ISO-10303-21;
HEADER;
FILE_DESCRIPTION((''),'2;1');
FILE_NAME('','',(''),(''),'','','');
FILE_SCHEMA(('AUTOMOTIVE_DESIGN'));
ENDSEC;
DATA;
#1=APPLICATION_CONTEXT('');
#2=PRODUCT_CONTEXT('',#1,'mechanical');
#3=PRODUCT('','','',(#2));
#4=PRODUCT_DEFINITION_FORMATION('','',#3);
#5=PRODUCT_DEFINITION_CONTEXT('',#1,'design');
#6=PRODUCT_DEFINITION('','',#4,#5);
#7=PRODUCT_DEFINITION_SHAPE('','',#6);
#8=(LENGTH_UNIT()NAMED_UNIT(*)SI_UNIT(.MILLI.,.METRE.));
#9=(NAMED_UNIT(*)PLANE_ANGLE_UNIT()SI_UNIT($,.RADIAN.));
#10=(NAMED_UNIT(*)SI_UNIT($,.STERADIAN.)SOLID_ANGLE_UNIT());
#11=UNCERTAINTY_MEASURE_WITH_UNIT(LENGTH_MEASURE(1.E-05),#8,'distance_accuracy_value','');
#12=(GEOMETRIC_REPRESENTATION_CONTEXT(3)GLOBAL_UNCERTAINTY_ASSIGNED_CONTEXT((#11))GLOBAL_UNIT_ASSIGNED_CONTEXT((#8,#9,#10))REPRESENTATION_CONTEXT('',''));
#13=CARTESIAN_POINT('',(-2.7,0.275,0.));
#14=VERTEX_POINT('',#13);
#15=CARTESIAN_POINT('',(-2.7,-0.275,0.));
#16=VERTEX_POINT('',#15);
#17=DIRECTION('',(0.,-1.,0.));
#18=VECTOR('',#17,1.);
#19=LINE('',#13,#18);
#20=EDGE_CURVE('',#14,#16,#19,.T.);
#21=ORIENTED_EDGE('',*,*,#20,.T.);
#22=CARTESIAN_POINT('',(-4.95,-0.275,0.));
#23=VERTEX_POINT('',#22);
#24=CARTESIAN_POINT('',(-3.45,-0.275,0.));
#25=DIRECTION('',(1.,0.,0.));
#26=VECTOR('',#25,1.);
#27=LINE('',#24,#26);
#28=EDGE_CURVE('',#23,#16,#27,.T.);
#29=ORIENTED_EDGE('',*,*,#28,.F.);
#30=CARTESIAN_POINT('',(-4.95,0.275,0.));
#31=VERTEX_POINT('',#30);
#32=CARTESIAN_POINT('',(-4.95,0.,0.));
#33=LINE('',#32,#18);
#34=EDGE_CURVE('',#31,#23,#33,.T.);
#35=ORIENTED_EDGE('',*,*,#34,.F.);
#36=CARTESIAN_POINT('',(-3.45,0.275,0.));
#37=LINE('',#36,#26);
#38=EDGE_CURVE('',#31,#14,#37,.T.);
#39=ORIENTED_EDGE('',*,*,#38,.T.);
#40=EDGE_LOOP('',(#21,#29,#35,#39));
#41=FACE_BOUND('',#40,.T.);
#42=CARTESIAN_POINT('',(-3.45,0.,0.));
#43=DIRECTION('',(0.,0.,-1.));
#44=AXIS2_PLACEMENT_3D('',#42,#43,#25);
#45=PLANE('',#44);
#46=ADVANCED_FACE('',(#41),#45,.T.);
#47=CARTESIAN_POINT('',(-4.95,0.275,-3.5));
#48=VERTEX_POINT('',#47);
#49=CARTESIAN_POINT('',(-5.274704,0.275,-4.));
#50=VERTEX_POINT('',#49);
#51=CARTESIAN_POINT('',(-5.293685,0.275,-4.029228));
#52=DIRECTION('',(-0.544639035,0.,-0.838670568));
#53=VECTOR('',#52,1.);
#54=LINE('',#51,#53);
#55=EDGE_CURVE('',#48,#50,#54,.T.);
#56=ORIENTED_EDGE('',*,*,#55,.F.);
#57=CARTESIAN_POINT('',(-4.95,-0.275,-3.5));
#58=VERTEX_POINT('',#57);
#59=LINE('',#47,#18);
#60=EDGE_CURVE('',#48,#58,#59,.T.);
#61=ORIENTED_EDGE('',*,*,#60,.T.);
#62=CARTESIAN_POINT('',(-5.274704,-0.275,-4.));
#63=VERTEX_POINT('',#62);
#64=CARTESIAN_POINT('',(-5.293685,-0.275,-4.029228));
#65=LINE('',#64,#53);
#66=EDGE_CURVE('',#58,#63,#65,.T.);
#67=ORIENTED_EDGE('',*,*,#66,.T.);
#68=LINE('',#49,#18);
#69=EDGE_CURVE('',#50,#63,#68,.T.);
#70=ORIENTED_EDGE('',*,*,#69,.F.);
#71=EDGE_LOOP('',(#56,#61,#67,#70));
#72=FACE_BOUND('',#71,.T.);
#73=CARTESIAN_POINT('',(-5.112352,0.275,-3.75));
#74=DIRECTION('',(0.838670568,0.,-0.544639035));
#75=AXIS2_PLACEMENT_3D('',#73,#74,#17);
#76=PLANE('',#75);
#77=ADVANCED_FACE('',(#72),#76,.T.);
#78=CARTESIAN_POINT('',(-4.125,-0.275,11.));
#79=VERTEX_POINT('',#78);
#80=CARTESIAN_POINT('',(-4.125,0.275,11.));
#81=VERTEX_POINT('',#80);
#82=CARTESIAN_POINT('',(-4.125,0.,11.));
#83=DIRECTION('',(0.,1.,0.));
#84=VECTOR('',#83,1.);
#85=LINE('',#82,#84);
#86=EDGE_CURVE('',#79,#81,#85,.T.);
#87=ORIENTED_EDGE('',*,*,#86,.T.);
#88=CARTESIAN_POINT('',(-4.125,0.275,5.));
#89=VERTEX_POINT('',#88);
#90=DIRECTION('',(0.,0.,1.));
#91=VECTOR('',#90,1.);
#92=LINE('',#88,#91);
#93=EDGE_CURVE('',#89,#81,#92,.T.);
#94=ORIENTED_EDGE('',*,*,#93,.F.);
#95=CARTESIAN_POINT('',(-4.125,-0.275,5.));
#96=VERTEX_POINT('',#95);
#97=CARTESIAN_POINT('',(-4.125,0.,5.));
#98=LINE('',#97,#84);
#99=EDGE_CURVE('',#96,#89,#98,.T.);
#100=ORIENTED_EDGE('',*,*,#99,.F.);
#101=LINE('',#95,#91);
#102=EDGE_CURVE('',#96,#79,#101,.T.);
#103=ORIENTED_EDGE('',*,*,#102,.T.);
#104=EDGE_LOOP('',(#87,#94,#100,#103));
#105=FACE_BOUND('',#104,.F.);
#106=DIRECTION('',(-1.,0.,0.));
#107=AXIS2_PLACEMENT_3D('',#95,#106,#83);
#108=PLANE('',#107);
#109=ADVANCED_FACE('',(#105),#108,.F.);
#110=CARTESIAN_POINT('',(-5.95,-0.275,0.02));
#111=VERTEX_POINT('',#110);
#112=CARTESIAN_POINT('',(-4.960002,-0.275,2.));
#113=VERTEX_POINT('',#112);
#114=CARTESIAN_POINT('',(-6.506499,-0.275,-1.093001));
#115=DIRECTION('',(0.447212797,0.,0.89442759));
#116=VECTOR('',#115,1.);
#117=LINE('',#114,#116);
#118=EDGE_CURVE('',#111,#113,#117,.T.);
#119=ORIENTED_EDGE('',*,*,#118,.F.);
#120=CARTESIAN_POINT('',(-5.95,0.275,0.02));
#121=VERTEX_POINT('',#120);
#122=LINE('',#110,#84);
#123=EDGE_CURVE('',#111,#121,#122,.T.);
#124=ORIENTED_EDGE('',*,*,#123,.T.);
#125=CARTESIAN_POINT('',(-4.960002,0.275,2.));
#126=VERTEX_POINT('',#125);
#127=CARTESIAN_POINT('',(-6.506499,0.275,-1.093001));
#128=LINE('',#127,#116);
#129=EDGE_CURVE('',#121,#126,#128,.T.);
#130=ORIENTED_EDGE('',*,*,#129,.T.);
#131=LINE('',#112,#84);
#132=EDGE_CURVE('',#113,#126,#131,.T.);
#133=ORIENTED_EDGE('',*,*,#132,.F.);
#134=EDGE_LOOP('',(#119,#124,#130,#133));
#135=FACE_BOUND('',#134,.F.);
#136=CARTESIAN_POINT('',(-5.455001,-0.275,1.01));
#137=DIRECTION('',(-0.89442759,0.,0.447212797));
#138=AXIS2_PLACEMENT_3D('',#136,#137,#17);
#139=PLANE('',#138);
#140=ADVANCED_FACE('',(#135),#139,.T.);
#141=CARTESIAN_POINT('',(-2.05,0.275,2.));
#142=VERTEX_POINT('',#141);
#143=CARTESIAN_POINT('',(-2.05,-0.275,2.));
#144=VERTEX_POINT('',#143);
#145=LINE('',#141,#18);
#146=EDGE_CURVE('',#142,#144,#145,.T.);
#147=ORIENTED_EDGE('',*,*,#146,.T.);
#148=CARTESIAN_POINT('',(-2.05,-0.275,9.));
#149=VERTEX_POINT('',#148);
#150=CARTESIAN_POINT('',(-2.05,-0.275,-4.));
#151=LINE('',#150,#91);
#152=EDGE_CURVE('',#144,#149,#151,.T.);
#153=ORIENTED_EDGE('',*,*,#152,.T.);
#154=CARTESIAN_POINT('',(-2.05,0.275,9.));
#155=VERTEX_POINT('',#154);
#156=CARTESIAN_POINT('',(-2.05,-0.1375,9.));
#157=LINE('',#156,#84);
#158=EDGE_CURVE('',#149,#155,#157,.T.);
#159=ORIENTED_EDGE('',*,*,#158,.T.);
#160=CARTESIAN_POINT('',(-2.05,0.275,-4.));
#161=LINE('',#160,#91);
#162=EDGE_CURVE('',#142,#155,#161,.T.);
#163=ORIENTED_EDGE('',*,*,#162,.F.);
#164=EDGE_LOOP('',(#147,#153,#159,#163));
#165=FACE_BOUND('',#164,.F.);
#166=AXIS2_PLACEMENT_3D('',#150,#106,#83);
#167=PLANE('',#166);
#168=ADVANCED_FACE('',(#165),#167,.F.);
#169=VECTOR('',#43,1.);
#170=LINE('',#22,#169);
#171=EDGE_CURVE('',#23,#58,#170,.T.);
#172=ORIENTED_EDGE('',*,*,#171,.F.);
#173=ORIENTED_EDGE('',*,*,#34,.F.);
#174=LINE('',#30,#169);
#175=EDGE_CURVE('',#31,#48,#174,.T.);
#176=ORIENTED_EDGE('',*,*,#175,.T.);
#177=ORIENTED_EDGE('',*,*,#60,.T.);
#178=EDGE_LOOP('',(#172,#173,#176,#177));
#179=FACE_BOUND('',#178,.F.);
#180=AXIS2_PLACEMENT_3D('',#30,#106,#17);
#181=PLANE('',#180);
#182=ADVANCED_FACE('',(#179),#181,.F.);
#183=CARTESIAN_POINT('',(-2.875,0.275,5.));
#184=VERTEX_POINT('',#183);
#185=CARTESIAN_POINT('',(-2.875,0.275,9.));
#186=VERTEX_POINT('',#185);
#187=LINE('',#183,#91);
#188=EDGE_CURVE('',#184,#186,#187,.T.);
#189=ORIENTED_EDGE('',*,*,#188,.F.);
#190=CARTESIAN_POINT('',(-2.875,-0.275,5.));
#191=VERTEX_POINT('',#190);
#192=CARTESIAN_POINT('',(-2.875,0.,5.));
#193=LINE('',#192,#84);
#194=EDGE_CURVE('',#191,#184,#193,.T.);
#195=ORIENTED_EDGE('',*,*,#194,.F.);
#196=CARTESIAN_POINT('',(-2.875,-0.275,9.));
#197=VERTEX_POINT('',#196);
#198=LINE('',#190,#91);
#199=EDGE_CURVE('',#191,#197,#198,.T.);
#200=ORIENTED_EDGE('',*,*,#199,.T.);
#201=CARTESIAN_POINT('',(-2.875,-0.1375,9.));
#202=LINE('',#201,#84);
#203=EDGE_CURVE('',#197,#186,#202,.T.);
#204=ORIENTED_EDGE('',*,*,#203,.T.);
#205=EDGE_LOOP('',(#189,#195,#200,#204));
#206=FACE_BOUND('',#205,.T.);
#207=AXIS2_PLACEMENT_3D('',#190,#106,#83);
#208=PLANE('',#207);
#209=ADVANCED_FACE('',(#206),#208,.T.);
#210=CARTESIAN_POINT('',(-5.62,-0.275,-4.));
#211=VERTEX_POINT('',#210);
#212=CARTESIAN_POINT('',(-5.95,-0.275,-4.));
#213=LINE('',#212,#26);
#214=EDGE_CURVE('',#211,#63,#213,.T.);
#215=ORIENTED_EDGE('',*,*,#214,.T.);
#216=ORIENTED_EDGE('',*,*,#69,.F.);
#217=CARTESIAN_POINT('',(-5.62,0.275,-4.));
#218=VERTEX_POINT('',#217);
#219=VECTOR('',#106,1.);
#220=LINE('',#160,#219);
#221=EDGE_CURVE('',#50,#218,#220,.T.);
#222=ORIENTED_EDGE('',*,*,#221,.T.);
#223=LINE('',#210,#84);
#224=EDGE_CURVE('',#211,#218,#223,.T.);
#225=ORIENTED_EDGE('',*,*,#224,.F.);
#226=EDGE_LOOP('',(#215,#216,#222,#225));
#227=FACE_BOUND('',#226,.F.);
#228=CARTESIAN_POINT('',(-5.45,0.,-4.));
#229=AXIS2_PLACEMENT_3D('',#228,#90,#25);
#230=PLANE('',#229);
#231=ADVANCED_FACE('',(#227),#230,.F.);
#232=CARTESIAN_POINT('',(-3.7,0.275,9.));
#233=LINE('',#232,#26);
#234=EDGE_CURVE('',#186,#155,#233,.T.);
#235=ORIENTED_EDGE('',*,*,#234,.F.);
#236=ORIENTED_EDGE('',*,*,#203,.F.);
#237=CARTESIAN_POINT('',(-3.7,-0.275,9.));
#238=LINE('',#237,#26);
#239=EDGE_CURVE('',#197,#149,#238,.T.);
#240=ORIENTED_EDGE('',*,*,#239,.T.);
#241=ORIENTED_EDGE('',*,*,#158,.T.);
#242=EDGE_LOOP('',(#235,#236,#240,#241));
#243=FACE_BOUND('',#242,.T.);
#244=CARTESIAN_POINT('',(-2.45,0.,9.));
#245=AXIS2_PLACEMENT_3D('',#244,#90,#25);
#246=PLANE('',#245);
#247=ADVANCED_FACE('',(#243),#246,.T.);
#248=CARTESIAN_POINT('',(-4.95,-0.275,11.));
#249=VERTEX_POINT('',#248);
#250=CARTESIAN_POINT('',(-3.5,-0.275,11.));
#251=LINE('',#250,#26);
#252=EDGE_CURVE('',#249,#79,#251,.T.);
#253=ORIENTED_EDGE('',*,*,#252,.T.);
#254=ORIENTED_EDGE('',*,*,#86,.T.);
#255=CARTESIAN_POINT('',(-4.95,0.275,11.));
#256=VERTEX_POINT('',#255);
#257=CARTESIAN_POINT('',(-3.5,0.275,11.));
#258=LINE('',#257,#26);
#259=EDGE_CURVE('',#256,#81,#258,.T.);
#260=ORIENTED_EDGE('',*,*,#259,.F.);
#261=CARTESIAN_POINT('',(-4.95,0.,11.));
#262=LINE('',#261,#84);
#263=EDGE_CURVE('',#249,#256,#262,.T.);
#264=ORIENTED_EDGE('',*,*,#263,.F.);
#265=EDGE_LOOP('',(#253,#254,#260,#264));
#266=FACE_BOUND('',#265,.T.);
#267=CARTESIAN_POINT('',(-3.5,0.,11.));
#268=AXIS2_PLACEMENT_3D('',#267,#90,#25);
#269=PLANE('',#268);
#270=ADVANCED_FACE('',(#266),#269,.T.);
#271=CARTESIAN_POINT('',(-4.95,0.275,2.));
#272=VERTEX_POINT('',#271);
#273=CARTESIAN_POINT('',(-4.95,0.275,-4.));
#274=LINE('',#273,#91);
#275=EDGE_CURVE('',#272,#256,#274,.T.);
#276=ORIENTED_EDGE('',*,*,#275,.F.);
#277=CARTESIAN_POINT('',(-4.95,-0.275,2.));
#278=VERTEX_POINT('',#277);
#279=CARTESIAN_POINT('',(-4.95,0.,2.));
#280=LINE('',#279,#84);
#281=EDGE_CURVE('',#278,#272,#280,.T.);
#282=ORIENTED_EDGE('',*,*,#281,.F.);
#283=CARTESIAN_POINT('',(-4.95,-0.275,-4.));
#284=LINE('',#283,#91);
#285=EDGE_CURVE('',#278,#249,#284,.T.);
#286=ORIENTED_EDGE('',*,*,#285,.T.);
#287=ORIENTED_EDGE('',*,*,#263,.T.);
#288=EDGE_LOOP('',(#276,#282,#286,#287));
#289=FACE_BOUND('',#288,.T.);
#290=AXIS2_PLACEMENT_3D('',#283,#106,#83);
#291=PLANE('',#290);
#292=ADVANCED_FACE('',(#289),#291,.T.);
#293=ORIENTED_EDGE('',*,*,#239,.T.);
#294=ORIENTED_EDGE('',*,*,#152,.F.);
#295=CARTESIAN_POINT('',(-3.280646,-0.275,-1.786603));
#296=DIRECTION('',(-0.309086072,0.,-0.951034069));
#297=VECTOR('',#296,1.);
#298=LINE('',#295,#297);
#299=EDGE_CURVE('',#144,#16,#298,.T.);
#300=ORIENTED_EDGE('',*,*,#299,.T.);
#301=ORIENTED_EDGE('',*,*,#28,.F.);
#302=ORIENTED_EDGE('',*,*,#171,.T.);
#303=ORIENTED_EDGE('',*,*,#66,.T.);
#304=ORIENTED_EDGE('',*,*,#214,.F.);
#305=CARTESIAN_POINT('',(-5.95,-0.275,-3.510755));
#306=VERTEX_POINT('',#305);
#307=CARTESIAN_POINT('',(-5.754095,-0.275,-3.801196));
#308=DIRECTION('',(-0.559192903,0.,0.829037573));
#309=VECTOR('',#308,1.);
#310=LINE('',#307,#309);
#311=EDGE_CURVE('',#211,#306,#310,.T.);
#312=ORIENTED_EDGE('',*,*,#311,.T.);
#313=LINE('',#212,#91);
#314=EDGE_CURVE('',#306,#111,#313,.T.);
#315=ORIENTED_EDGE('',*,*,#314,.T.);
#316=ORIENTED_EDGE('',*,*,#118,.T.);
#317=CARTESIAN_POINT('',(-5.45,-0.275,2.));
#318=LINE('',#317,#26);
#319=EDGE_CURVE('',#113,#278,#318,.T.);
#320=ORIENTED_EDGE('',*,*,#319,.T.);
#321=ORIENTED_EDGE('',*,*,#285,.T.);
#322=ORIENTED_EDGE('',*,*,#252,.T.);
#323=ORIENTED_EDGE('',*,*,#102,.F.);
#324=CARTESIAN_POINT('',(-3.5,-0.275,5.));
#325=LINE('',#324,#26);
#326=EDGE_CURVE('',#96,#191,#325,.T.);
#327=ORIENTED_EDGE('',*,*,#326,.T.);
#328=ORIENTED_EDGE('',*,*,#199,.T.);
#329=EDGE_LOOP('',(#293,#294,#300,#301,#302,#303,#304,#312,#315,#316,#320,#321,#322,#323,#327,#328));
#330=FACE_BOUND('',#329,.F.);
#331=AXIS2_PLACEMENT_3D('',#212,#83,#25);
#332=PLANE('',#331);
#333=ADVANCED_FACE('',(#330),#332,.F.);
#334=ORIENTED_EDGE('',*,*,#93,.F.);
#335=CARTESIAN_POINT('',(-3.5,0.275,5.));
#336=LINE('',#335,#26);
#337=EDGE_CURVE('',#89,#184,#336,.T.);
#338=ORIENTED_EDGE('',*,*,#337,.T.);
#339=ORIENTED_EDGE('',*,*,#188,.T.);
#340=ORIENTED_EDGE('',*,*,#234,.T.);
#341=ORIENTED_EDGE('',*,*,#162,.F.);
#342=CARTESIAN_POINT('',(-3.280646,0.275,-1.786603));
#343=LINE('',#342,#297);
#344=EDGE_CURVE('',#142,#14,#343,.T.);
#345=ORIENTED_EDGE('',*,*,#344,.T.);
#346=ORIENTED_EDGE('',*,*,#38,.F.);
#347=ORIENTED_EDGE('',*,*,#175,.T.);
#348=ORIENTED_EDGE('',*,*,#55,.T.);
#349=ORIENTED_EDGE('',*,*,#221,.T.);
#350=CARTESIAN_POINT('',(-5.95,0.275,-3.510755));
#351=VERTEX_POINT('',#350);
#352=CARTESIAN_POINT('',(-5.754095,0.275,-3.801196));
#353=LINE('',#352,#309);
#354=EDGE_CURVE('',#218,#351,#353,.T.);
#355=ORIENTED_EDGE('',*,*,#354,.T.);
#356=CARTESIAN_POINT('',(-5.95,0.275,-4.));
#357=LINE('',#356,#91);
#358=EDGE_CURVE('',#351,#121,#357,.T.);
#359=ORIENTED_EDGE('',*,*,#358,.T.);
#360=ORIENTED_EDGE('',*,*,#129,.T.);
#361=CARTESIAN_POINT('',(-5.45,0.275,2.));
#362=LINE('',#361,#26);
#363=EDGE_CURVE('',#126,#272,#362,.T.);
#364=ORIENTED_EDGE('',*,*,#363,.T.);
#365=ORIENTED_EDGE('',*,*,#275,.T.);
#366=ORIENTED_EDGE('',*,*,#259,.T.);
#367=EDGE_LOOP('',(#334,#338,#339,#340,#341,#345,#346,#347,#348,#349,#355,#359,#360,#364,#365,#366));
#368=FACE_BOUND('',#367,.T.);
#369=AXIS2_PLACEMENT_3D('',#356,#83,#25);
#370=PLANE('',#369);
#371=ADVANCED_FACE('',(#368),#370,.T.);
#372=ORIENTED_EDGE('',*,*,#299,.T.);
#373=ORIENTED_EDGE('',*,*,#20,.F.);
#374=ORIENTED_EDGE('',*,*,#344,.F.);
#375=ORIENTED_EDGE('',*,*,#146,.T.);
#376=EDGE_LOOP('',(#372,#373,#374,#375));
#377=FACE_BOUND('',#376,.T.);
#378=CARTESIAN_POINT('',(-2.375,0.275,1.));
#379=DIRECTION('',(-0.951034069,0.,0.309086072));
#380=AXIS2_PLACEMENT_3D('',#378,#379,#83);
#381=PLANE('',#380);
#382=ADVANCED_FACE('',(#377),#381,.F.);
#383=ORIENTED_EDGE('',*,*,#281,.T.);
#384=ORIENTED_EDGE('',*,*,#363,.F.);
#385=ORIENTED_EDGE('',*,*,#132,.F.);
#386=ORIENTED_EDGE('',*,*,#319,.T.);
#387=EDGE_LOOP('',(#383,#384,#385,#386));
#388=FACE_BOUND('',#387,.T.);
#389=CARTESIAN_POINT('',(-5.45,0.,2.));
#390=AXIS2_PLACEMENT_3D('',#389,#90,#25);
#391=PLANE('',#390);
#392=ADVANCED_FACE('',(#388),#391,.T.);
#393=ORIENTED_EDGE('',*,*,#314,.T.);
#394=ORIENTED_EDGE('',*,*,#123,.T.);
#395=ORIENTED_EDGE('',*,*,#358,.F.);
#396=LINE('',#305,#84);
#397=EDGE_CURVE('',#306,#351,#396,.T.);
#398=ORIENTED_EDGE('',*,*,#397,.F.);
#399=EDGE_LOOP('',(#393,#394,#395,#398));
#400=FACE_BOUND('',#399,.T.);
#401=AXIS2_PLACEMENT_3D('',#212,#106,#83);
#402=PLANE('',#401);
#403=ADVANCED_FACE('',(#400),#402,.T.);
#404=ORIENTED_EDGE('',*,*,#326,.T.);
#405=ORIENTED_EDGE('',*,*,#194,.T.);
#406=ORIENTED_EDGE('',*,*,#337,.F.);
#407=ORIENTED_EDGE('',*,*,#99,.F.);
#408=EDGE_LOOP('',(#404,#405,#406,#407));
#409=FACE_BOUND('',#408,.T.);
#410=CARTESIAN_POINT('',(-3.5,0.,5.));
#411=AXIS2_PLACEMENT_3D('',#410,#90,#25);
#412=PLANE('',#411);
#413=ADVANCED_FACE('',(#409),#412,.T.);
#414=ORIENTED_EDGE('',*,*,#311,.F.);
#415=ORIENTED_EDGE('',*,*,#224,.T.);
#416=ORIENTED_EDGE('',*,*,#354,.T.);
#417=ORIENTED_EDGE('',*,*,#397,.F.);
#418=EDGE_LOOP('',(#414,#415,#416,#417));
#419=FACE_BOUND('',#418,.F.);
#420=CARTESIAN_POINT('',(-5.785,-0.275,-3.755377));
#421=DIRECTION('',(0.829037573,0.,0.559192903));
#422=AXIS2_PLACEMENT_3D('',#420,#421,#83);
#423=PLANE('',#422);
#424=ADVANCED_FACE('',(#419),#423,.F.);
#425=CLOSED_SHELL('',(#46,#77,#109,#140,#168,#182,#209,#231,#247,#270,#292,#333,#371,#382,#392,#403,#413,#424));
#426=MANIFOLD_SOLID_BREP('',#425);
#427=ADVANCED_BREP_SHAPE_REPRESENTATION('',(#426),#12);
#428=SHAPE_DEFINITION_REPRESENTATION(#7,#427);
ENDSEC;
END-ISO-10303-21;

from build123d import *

# Parameters (mm, degrees)
BOX019_W         = 2.9
BOX019_H         = 0.55
BOX019_DEPTH     = 15
BOX020_W         = 1.25
BOX020_H         = 0.55
BOX020_DEPTH     = 6
BOX021_W         = 1.1
BOX021_H         = 0.6
BOX021_DEPTH     = 2
BOX022_W         = 1
BOX022_H         = 0.55
BOX022_DEPTH     = 6
BOX023_W         = 3
BOX023_H         = 0.55
BOX023_DEPTH     = 4
CHAMFER002_SIZE2 = 0.65
CHAMFER002_SIZE  = 2
CHAMFER003_ANGLE = 33
CHAMFER003_SIZE  = 0.5
CHAMFER004_ANGLE = 56
CHAMFER004_SIZE  = 0.33
CHAMFER005_ANGLE = 26.565
CHAMFER005_SIZE  = 1.98


with BuildPart() as part:
    # Box019 → Box019 (join)
    with BuildSketch(Plane(origin=(-4.95, -0.275, 0), x_dir=(1, 0, 0), z_dir=(0, 0, 1))):
        with Locations((1.45, 0.275)):
            Rectangle(BOX019_W, BOX019_H)
    extrude(amount=BOX019_DEPTH)

    # Box020 → Box020 (cut)
    with BuildSketch(Plane(origin=(-4.125, -0.275, 9), x_dir=(1, 0, 0), z_dir=(0, 0, 1))):
        with Locations((0.625, 0.275)):
            Rectangle(BOX020_W, BOX020_H)
    extrude(amount=BOX020_DEPTH, mode=Mode.SUBTRACT)

    # Box021 → Box021 (cut)
    with BuildSketch(Plane(origin=(-3, -0.3, 13), x_dir=(1, 0, 0), z_dir=(0, 0, 1))):
        with Locations((0.55, 0.3)):
            Rectangle(BOX021_W, BOX021_H)
    extrude(amount=BOX021_DEPTH, mode=Mode.SUBTRACT)

    # Box022 → Box022 (join)
    with BuildSketch(Plane(origin=(-5.95, -0.275, 0), x_dir=(1, 0, 0), z_dir=(0, 0, 1))):
        with Locations((0.5, 0.275)):
            Rectangle(BOX022_W, BOX022_H)
    extrude(amount=BOX022_DEPTH)

    # Box023 → Box023 (cut)
    with BuildSketch(Plane(origin=(-4.95, 0.275, 4), x_dir=(1, 0, 0), z_dir=(0, 0, -1))):
        with Locations((1.5, 0.275)):
            Rectangle(BOX023_W, BOX023_H)
    extrude(amount=BOX023_DEPTH, mode=Mode.SUBTRACT)

    # Chamfer002
    chamfer002_edges = [part.edges().sort_by_distance(p)[0] for p in [
        (-2.05, 0, 4),
    ]]
    chamfer002_side = part.faces().sort_by_distance((-2.05, 0, 8.5))[0]
    chamfer(chamfer002_edges, length=CHAMFER002_SIZE, length2=CHAMFER002_SIZE2, reference=chamfer002_side)

    # Chamfer003
    chamfer003_edges = [part.edges().sort_by_distance(p)[0] for p in [
        (-4.95, 0, 0),
    ]]
    chamfer003_side = part.faces().sort_by_distance((-4.95, 0, 2))[0]
    chamfer(chamfer003_edges, length=CHAMFER003_SIZE, angle=CHAMFER003_ANGLE, reference=chamfer003_side)

    # Chamfer004
    chamfer004_edges = [part.edges().sort_by_distance(p)[0] for p in [
        (-5.95, 0, 0),
    ]]
    chamfer004_side = part.faces().sort_by_distance((-5.612352, 0, 0))[0]
    chamfer(chamfer004_edges, length=CHAMFER004_SIZE, angle=CHAMFER004_ANGLE, reference=chamfer004_side)

    # Chamfer005
    chamfer005_edges = [part.edges().sort_by_distance(p)[0] for p in [
        (-5.95, 0, 6),
    ]]
    chamfer005_side = part.faces().sort_by_distance((-5.95, 0, 3.244623))[0]
    chamfer(chamfer005_edges, length=CHAMFER005_SIZE, angle=CHAMFER005_ANGLE, reference=chamfer005_side)


with BuildPart() as part_1:
    # Body019 placement: moved
    add(part.part.moved(Location((0, 0, -4))))


solid = part_1.part
